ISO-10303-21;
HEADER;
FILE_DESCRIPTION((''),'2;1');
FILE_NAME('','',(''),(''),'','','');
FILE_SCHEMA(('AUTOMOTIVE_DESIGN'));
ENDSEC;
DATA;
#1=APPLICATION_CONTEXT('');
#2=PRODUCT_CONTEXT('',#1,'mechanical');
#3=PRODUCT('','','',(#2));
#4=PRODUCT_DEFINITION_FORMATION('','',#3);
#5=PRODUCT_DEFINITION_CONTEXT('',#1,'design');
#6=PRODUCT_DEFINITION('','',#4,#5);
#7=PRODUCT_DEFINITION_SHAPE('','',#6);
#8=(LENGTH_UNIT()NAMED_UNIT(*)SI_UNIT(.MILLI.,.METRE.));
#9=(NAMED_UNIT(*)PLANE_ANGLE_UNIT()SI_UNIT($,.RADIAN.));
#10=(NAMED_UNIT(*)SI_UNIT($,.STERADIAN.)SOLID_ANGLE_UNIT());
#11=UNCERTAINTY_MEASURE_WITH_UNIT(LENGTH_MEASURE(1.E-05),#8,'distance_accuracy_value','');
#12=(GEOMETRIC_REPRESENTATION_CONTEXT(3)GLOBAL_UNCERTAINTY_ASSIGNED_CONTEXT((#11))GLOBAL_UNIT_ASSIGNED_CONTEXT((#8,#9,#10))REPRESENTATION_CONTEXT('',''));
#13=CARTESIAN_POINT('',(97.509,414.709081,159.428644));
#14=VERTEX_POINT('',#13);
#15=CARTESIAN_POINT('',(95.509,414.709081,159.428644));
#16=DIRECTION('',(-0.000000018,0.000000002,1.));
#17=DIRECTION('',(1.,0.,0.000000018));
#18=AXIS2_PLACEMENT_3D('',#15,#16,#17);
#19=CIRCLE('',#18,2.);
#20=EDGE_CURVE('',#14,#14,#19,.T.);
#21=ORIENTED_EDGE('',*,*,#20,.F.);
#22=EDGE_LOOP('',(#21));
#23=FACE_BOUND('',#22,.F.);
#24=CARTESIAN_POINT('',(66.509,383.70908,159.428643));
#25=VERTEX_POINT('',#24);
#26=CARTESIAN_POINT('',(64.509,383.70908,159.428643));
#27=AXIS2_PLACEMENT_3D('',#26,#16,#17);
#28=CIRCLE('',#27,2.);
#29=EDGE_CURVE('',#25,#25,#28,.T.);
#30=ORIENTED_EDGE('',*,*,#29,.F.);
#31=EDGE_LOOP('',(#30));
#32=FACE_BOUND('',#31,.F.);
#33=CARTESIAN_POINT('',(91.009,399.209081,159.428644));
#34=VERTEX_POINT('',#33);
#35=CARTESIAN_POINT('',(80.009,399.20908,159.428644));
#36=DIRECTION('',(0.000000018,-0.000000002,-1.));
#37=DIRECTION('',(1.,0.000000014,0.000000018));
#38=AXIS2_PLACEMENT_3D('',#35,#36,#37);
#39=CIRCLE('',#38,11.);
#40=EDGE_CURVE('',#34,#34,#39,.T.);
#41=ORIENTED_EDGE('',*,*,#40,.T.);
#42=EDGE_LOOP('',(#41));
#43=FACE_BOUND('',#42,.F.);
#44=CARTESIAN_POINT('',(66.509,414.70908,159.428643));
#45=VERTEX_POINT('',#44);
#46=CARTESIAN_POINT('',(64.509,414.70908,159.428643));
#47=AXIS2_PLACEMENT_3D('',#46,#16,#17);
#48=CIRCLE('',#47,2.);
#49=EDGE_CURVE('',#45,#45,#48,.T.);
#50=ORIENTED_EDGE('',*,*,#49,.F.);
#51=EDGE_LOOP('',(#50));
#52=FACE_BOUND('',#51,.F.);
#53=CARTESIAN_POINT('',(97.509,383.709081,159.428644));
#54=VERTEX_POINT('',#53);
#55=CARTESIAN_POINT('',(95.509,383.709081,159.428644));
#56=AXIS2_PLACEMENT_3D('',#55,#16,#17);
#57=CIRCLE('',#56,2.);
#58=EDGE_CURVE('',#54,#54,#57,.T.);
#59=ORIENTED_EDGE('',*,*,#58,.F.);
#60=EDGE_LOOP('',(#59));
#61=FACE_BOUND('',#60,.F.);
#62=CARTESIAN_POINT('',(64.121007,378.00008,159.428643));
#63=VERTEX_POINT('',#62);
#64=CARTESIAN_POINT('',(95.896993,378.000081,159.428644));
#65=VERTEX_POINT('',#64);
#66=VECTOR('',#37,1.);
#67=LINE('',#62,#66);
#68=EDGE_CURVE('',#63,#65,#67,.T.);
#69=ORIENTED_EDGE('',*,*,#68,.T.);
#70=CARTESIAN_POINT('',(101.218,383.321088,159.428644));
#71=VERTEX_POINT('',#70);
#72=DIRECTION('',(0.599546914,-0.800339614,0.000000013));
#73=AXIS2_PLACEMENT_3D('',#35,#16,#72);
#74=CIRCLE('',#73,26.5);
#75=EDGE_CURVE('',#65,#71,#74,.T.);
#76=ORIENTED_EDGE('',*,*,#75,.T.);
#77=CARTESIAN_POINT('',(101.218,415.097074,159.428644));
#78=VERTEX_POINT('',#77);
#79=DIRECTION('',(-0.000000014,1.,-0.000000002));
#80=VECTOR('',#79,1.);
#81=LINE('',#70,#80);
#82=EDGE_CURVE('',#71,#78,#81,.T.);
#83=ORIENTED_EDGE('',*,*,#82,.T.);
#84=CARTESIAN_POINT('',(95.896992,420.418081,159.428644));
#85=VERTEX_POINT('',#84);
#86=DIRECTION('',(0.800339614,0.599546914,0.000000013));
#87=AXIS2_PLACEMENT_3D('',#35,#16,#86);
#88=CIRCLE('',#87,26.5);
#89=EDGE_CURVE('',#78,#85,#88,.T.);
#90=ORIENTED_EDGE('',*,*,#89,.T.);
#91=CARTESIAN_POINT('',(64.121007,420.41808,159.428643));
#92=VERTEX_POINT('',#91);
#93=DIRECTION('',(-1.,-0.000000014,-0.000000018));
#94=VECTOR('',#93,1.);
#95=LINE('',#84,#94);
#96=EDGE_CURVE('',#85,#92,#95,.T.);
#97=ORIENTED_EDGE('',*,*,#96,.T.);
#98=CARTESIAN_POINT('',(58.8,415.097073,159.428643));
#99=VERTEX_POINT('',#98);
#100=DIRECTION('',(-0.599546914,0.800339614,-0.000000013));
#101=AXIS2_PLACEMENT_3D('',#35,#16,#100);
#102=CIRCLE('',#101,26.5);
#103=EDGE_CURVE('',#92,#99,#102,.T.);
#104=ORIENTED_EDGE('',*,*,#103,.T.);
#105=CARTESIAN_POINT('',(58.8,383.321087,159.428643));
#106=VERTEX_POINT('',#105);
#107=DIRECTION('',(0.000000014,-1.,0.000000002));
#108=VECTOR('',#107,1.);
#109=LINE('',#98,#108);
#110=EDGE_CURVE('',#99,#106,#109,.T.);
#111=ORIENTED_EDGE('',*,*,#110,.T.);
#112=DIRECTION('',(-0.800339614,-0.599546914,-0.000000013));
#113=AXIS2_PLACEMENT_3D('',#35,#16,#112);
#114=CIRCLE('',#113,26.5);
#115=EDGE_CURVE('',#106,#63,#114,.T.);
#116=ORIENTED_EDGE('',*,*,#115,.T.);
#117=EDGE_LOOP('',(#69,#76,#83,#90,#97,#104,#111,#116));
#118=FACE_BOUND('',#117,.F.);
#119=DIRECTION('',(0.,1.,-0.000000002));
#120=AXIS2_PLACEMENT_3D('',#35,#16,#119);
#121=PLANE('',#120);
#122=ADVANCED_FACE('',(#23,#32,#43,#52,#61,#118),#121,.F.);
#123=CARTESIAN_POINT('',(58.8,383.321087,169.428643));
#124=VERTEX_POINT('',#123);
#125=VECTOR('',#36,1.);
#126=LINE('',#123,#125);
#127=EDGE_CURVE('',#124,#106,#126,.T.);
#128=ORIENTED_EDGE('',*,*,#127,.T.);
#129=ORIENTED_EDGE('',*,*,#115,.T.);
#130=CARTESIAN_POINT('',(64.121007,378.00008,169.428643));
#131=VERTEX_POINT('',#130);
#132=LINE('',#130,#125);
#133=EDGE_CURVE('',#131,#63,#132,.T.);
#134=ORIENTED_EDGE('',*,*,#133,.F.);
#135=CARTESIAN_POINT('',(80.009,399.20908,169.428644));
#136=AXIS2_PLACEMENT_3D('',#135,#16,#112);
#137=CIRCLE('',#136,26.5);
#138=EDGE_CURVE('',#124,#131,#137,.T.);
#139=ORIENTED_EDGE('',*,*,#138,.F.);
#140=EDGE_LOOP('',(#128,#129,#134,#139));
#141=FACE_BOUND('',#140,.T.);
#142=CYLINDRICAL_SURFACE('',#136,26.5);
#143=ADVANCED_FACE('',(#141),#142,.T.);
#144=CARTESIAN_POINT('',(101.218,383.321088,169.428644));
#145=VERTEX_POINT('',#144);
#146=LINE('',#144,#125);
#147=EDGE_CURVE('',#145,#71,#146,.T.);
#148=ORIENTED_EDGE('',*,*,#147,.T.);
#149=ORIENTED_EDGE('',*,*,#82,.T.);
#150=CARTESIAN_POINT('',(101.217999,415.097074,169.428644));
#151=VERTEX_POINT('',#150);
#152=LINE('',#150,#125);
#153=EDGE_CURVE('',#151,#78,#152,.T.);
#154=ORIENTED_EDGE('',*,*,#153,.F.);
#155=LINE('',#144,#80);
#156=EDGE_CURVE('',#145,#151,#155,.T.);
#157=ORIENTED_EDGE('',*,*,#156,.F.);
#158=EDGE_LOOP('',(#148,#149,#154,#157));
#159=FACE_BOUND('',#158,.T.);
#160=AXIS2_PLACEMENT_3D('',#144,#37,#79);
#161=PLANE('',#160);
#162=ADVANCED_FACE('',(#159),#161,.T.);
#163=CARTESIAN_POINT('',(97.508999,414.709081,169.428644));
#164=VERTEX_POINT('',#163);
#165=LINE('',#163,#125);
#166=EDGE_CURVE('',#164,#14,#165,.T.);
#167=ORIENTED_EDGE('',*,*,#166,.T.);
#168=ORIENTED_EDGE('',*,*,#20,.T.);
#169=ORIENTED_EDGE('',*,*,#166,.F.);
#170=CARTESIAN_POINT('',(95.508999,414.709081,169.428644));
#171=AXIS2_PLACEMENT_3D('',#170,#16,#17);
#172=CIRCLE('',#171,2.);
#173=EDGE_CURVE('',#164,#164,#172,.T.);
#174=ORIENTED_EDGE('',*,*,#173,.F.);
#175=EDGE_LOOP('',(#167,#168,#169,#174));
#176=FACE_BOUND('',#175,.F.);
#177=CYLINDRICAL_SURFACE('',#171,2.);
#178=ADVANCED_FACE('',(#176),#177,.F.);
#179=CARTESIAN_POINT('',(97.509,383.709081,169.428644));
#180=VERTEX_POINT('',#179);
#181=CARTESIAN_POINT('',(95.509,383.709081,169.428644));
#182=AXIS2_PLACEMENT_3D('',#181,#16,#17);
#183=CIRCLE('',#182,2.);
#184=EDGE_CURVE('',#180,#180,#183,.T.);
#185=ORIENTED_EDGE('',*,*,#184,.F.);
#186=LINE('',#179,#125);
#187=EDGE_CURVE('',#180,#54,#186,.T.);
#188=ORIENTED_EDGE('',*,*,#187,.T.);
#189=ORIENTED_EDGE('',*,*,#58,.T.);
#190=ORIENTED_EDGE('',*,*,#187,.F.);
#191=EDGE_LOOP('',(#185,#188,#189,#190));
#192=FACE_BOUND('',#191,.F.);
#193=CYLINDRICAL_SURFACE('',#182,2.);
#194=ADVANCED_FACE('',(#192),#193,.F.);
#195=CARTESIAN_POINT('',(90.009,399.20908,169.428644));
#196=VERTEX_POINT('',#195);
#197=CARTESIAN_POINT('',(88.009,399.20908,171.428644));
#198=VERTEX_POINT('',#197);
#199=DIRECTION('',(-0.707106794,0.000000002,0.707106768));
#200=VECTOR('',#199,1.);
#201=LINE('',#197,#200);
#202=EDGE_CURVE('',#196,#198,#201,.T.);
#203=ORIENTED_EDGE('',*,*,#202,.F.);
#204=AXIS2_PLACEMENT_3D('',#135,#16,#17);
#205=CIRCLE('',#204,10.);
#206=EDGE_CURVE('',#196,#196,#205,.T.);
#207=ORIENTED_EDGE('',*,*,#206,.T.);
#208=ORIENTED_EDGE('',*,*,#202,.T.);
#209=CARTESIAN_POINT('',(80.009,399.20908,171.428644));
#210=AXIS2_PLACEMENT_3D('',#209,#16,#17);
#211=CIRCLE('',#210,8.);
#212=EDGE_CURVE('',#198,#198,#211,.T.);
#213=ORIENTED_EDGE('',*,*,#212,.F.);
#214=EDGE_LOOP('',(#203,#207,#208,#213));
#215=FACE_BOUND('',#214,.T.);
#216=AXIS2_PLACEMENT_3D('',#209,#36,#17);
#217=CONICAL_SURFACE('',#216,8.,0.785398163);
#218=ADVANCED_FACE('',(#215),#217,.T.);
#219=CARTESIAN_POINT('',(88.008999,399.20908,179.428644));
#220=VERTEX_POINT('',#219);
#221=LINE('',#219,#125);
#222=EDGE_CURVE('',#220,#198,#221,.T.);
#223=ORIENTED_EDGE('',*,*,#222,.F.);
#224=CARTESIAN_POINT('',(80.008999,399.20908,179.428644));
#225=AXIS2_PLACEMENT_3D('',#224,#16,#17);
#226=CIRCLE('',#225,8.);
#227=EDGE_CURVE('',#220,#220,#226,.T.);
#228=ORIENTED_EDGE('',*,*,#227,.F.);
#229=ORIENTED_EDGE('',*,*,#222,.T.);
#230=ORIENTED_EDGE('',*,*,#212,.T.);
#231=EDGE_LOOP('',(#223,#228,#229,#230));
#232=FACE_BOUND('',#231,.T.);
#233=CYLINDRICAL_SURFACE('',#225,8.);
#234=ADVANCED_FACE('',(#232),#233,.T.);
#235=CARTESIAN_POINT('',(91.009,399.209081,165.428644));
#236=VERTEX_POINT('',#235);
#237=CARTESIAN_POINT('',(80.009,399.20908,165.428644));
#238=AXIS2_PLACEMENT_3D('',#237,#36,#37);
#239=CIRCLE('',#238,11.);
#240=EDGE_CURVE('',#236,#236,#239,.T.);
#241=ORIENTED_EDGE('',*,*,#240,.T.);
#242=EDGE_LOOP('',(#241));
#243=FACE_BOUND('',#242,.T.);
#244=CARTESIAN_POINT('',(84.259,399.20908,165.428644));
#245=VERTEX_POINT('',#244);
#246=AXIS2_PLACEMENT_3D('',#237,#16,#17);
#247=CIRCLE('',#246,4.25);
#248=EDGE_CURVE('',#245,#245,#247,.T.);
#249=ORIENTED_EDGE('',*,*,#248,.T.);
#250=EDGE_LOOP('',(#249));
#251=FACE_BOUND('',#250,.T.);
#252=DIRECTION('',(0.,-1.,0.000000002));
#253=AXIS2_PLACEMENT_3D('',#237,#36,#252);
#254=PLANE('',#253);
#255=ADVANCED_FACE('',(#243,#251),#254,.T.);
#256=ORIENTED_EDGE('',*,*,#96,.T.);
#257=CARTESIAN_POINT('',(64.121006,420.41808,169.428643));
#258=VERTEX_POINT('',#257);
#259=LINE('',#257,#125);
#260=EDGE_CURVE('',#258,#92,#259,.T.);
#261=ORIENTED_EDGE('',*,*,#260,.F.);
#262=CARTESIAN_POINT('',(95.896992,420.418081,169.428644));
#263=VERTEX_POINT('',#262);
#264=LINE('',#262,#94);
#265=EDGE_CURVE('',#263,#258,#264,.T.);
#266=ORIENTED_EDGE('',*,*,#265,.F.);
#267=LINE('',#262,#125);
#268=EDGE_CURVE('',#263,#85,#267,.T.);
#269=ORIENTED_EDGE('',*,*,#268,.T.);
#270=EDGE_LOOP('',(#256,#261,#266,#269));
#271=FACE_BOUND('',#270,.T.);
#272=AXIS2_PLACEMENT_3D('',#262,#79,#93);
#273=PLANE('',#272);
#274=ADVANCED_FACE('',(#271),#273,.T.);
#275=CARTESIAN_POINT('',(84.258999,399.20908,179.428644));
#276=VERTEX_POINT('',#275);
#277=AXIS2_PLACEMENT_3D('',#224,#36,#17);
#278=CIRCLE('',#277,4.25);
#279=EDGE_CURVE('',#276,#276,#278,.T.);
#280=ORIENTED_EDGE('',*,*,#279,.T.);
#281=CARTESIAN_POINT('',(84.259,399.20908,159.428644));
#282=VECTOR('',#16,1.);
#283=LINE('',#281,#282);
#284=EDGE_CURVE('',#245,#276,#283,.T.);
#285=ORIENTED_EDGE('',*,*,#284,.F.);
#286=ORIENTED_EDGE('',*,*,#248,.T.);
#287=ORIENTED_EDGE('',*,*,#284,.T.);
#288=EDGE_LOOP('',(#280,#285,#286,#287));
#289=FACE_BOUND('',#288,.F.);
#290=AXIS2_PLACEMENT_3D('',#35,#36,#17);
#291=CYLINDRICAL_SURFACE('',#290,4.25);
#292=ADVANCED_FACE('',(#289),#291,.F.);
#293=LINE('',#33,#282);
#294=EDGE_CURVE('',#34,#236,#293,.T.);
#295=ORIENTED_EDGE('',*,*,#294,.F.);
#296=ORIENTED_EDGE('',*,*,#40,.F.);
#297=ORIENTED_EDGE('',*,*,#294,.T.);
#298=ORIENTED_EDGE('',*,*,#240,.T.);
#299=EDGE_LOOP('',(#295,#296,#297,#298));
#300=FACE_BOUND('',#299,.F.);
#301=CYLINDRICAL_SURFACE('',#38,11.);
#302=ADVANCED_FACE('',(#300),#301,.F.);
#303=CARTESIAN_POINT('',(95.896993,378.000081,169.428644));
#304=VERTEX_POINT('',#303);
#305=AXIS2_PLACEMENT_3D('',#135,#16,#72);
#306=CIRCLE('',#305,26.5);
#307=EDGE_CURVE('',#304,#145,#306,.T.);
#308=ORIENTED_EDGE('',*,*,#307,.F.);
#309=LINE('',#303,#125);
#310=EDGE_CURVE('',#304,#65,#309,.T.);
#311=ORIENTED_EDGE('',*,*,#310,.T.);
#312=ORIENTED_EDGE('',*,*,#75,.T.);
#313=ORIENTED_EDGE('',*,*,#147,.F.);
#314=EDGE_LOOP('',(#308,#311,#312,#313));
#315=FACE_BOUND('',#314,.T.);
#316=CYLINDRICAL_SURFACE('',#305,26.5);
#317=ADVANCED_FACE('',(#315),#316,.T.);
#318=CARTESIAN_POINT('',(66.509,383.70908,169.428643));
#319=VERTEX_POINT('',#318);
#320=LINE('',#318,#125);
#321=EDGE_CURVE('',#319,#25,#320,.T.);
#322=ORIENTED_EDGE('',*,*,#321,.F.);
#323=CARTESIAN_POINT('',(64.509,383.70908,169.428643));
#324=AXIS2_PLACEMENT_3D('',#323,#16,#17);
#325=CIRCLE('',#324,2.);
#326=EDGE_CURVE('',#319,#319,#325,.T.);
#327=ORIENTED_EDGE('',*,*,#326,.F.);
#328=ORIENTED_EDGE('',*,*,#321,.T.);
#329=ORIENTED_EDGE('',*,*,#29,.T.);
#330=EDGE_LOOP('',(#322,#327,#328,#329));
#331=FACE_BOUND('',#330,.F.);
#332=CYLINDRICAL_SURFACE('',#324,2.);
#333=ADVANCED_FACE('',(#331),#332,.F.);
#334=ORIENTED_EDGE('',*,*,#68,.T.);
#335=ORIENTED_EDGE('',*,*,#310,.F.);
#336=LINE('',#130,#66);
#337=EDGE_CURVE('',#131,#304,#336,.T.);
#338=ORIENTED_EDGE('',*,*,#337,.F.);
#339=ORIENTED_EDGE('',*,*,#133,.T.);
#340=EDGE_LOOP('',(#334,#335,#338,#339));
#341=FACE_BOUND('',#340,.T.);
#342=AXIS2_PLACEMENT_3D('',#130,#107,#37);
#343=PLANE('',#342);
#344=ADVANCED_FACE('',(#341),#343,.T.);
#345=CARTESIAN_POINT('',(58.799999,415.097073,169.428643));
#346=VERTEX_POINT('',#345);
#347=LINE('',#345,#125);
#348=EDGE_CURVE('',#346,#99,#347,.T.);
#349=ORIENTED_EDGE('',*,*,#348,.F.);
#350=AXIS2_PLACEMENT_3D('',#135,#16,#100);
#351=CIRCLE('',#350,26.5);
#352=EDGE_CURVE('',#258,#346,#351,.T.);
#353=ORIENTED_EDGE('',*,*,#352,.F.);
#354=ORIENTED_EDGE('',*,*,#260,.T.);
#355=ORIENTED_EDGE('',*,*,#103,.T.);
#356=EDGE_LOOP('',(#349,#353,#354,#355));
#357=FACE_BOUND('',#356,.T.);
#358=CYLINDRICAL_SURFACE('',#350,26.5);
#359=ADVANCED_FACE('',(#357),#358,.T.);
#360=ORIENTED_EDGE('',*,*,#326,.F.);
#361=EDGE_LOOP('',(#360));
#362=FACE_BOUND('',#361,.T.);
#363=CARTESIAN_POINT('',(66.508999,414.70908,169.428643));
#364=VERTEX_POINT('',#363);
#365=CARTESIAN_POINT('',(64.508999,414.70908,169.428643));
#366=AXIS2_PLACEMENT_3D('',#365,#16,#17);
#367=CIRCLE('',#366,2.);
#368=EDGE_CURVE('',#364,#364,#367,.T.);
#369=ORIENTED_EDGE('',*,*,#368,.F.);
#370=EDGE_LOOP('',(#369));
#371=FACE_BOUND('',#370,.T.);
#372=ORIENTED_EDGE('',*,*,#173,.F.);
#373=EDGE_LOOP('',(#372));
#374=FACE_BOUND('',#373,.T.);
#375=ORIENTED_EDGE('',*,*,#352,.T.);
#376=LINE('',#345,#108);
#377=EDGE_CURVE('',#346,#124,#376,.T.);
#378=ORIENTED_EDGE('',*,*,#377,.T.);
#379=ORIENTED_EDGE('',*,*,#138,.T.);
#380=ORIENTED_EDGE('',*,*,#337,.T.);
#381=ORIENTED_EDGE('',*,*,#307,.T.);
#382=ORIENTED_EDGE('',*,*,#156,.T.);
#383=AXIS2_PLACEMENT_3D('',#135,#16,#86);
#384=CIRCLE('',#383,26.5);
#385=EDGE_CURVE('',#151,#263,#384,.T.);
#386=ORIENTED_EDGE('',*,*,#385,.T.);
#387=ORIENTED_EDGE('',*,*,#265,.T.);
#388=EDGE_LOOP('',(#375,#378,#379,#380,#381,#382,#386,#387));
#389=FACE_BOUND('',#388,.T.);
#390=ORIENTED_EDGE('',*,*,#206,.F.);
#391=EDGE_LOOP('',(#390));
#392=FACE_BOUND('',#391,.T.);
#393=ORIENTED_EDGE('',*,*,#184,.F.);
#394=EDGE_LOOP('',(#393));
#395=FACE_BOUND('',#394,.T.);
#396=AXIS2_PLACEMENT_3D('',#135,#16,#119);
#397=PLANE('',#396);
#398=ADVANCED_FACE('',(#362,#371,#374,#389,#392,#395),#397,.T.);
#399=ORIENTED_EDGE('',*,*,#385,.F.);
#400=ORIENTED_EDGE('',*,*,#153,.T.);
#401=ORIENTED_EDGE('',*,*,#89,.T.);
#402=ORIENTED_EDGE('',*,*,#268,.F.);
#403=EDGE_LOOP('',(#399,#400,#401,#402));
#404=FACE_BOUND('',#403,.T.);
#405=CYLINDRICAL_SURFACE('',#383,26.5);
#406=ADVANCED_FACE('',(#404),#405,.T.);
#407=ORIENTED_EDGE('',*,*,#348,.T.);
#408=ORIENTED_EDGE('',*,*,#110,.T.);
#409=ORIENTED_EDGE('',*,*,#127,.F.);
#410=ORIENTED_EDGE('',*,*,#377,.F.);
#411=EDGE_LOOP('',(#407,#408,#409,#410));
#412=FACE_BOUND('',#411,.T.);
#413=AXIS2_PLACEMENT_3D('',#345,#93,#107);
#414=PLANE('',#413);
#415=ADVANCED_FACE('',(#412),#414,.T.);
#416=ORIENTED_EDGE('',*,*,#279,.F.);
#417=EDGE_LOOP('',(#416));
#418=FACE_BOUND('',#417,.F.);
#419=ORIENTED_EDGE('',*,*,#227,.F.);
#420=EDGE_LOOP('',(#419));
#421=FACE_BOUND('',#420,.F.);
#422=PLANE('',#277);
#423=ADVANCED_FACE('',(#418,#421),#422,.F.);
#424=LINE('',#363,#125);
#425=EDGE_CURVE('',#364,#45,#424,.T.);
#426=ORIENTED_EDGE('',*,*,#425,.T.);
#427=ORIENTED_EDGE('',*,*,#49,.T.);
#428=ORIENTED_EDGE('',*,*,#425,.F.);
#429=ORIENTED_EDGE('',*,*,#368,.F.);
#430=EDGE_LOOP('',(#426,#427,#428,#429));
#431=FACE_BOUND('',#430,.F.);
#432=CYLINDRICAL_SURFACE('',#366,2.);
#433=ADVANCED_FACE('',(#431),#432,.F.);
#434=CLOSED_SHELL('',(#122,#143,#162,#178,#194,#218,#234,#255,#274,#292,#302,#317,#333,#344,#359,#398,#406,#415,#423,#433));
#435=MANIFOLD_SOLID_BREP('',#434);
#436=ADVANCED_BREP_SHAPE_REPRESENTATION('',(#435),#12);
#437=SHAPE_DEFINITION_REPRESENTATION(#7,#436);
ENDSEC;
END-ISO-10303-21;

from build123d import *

# Parameters (mm, degrees)
PAD_DEPTH       = 10
SKETCH_R        = 13
SKETCH_R_2      = 4.25
PAD001_DEPTH    = 20
PAD001_FACE22_R = 4.25
POCKET_DEPTH    = 6
SKETCH001_R     = 2
POCKET001_DEPTH = 10.0010008506
SKETCH002_R     = 16.036471
SKETCH002_R_2   = 8
POCKET002_DEPTH = 10
CHAMFER_SIZE    = 2


with BuildPart() as part:
    # Binder Face3 → Pad (new)
    with BuildSketch(Plane(origin=(80.0089996426, 399.2090804087, 169.428643648), x_dir=(0, 1, -2.4e-09), z_dir=(-1.8e-08, 2.4e-09, 1))):
        with BuildLine():
            Line((-21.2090002282, 15.8879926146), (-21.2089997718, -15.8879932238))
            ThreePointArc((-21.2089997718, -15.8879932238), (-18.7383294323, -18.7383299706), (-15.8879926146, -21.2090002282))
            Line((-15.8879926146, -21.2090002282), (15.8879932238, -21.2089997718))
            ThreePointArc((15.8879932238, -21.2089997718), (18.7383299706, -18.7383294323), (21.2090002282, -15.8879926146))
            Line((21.2090002282, -15.8879926146), (21.2089997718, 15.8879932238))
            ThreePointArc((21.2089997718, 15.8879932238), (18.7383294323, 18.7383299706), (15.8879926146, 21.2090002282))
            Line((15.8879926146, 21.2090002282), (-15.8879932238, 21.2089997718))
            ThreePointArc((-15.8879932238, 21.2089997718), (-18.7383299706, 18.7383294323), (-21.2090002282, 15.8879926146))
        make_face()
        with BuildLine():
            ThreePointArc((-15.4999997558, -17.0000002226), (-16.9999997774, -15.5000002442), (-15.4999997989, -14.0000002226))
            ThreePointArc((-15.4999997989, -14.0000002226), (-13.9999997774, -15.5000002011), (-15.4999997558, -17.0000002226))
        make_face(mode=Mode.SUBTRACT)
        with BuildLine():
            ThreePointArc((15.5000002442, -16.9999997774), (14.0000002226, -15.4999997989), (15.5000002011, -13.9999997774))
            ThreePointArc((15.5000002011, -13.9999997774), (17.0000002226, -15.4999997558), (15.5000002442, -16.9999997774))
        make_face(mode=Mode.SUBTRACT)
        with BuildLine():
            ThreePointArc((15.4999997989, 14.0000002226), (13.9999997774, 15.5000002011), (15.4999997558, 17.0000002226))
            ThreePointArc((15.4999997558, 17.0000002226), (16.9999997774, 15.5000002442), (15.4999997989, 14.0000002226))
        make_face(mode=Mode.SUBTRACT)
        with BuildLine():
            ThreePointArc((-15.5000002011, 13.9999997774), (-17.0000002226, 15.4999997558), (-15.5000002442, 16.9999997774))
            ThreePointArc((-15.5000002442, 16.9999997774), (-14.0000002226, 15.4999997989), (-15.5000002011, 13.9999997774))
        make_face(mode=Mode.SUBTRACT)
        with BuildLine():
            ThreePointArc((1.58e-07, -11), (-11, -1.58e-07), (-1.58e-07, 11))
            ThreePointArc((-1.58e-07, 11), (11, 1.58e-07), (1.58e-07, -11))
        make_face(mode=Mode.SUBTRACT)
    extrude(amount=-PAD_DEPTH)

    # Sketch (on Face20 of Pad) → Pad001 (join)
    with BuildSketch(Plane(origin=(-2.8643e-06, 3.803e-07, 159.4286431629), x_dir=(1, 0, 1.8e-08), z_dir=(1.8e-08, -2.4e-09, -1))):
        with Locations((80.0090026866, -399.2090800045)):
            Circle(SKETCH_R)
        with Locations((80.0090026866, -399.2090800045)):
            Circle(SKETCH_R_2, mode=Mode.SUBTRACT)
    extrude(amount=-PAD001_DEPTH)

    # Pad001 Face22 → Pocket (cut)
    with BuildSketch(Plane(origin=(80.0089998223, 399.2090803848, 159.428643648), x_dir=(0, -1, 2.4e-09), z_dir=(1.8e-08, -2.4e-09, -1))):
        with BuildLine():
            ThreePointArc((1.58e-07, 11), (-11, 1.58e-07), (-1.58e-07, -11))
            ThreePointArc((-1.58e-07, -11), (11, -1.58e-07), (1.58e-07, 11))
        make_face()
        Circle(PAD001_FACE22_R, mode=Mode.SUBTRACT)
    extrude(amount=-POCKET_DEPTH, mode=Mode.SUBTRACT)

    # Sketch001 (on Face3 of Pocket) → Pocket001 (cut, through all)
    with BuildSketch(Plane(origin=(-3.0439e-06, 4.042e-07, 169.4286431629), x_dir=(1, 0, 1.8e-08), z_dir=(-1.8e-08, 2.4e-09, 1))):
        with Locations((64.509002464, 414.7090797819)):
            Circle(SKETCH001_R)
        with Locations((95.509002464, 414.7090802271)):
            Circle(SKETCH001_R)
        with Locations((95.5090029092, 383.7090802271)):
            Circle(SKETCH001_R)
        with Locations((64.5090029092, 383.7090797819)):
            Circle(SKETCH001_R)
    extrude(amount=-POCKET001_DEPTH, mode=Mode.SUBTRACT)

    # Sketch002 (on Face16 of Pocket001) → Pocket002 (cut)
    with BuildSketch(Plane(origin=(-3.2236e-06, 4.28e-07, 179.4286431629), x_dir=(1, 0, 1.8e-08), z_dir=(-1.8e-08, 2.4e-09, 1))):
        with Locations((80.0090026866, 399.2090800045)):
            Circle(SKETCH002_R)
        with Locations((80.0090026866, 399.2090800045)):
            Circle(SKETCH002_R_2, mode=Mode.SUBTRACT)
    extrude(amount=-POCKET002_DEPTH, mode=Mode.SUBTRACT)

    # Chamfer
    chamfer_edges = [part.edges().sort_by_distance(p)[0] for p in [
        (72.009, 399.20908, 169.428644),
    ]]
    chamfer(chamfer_edges, length=CHAMFER_SIZE)


solid = part.part
